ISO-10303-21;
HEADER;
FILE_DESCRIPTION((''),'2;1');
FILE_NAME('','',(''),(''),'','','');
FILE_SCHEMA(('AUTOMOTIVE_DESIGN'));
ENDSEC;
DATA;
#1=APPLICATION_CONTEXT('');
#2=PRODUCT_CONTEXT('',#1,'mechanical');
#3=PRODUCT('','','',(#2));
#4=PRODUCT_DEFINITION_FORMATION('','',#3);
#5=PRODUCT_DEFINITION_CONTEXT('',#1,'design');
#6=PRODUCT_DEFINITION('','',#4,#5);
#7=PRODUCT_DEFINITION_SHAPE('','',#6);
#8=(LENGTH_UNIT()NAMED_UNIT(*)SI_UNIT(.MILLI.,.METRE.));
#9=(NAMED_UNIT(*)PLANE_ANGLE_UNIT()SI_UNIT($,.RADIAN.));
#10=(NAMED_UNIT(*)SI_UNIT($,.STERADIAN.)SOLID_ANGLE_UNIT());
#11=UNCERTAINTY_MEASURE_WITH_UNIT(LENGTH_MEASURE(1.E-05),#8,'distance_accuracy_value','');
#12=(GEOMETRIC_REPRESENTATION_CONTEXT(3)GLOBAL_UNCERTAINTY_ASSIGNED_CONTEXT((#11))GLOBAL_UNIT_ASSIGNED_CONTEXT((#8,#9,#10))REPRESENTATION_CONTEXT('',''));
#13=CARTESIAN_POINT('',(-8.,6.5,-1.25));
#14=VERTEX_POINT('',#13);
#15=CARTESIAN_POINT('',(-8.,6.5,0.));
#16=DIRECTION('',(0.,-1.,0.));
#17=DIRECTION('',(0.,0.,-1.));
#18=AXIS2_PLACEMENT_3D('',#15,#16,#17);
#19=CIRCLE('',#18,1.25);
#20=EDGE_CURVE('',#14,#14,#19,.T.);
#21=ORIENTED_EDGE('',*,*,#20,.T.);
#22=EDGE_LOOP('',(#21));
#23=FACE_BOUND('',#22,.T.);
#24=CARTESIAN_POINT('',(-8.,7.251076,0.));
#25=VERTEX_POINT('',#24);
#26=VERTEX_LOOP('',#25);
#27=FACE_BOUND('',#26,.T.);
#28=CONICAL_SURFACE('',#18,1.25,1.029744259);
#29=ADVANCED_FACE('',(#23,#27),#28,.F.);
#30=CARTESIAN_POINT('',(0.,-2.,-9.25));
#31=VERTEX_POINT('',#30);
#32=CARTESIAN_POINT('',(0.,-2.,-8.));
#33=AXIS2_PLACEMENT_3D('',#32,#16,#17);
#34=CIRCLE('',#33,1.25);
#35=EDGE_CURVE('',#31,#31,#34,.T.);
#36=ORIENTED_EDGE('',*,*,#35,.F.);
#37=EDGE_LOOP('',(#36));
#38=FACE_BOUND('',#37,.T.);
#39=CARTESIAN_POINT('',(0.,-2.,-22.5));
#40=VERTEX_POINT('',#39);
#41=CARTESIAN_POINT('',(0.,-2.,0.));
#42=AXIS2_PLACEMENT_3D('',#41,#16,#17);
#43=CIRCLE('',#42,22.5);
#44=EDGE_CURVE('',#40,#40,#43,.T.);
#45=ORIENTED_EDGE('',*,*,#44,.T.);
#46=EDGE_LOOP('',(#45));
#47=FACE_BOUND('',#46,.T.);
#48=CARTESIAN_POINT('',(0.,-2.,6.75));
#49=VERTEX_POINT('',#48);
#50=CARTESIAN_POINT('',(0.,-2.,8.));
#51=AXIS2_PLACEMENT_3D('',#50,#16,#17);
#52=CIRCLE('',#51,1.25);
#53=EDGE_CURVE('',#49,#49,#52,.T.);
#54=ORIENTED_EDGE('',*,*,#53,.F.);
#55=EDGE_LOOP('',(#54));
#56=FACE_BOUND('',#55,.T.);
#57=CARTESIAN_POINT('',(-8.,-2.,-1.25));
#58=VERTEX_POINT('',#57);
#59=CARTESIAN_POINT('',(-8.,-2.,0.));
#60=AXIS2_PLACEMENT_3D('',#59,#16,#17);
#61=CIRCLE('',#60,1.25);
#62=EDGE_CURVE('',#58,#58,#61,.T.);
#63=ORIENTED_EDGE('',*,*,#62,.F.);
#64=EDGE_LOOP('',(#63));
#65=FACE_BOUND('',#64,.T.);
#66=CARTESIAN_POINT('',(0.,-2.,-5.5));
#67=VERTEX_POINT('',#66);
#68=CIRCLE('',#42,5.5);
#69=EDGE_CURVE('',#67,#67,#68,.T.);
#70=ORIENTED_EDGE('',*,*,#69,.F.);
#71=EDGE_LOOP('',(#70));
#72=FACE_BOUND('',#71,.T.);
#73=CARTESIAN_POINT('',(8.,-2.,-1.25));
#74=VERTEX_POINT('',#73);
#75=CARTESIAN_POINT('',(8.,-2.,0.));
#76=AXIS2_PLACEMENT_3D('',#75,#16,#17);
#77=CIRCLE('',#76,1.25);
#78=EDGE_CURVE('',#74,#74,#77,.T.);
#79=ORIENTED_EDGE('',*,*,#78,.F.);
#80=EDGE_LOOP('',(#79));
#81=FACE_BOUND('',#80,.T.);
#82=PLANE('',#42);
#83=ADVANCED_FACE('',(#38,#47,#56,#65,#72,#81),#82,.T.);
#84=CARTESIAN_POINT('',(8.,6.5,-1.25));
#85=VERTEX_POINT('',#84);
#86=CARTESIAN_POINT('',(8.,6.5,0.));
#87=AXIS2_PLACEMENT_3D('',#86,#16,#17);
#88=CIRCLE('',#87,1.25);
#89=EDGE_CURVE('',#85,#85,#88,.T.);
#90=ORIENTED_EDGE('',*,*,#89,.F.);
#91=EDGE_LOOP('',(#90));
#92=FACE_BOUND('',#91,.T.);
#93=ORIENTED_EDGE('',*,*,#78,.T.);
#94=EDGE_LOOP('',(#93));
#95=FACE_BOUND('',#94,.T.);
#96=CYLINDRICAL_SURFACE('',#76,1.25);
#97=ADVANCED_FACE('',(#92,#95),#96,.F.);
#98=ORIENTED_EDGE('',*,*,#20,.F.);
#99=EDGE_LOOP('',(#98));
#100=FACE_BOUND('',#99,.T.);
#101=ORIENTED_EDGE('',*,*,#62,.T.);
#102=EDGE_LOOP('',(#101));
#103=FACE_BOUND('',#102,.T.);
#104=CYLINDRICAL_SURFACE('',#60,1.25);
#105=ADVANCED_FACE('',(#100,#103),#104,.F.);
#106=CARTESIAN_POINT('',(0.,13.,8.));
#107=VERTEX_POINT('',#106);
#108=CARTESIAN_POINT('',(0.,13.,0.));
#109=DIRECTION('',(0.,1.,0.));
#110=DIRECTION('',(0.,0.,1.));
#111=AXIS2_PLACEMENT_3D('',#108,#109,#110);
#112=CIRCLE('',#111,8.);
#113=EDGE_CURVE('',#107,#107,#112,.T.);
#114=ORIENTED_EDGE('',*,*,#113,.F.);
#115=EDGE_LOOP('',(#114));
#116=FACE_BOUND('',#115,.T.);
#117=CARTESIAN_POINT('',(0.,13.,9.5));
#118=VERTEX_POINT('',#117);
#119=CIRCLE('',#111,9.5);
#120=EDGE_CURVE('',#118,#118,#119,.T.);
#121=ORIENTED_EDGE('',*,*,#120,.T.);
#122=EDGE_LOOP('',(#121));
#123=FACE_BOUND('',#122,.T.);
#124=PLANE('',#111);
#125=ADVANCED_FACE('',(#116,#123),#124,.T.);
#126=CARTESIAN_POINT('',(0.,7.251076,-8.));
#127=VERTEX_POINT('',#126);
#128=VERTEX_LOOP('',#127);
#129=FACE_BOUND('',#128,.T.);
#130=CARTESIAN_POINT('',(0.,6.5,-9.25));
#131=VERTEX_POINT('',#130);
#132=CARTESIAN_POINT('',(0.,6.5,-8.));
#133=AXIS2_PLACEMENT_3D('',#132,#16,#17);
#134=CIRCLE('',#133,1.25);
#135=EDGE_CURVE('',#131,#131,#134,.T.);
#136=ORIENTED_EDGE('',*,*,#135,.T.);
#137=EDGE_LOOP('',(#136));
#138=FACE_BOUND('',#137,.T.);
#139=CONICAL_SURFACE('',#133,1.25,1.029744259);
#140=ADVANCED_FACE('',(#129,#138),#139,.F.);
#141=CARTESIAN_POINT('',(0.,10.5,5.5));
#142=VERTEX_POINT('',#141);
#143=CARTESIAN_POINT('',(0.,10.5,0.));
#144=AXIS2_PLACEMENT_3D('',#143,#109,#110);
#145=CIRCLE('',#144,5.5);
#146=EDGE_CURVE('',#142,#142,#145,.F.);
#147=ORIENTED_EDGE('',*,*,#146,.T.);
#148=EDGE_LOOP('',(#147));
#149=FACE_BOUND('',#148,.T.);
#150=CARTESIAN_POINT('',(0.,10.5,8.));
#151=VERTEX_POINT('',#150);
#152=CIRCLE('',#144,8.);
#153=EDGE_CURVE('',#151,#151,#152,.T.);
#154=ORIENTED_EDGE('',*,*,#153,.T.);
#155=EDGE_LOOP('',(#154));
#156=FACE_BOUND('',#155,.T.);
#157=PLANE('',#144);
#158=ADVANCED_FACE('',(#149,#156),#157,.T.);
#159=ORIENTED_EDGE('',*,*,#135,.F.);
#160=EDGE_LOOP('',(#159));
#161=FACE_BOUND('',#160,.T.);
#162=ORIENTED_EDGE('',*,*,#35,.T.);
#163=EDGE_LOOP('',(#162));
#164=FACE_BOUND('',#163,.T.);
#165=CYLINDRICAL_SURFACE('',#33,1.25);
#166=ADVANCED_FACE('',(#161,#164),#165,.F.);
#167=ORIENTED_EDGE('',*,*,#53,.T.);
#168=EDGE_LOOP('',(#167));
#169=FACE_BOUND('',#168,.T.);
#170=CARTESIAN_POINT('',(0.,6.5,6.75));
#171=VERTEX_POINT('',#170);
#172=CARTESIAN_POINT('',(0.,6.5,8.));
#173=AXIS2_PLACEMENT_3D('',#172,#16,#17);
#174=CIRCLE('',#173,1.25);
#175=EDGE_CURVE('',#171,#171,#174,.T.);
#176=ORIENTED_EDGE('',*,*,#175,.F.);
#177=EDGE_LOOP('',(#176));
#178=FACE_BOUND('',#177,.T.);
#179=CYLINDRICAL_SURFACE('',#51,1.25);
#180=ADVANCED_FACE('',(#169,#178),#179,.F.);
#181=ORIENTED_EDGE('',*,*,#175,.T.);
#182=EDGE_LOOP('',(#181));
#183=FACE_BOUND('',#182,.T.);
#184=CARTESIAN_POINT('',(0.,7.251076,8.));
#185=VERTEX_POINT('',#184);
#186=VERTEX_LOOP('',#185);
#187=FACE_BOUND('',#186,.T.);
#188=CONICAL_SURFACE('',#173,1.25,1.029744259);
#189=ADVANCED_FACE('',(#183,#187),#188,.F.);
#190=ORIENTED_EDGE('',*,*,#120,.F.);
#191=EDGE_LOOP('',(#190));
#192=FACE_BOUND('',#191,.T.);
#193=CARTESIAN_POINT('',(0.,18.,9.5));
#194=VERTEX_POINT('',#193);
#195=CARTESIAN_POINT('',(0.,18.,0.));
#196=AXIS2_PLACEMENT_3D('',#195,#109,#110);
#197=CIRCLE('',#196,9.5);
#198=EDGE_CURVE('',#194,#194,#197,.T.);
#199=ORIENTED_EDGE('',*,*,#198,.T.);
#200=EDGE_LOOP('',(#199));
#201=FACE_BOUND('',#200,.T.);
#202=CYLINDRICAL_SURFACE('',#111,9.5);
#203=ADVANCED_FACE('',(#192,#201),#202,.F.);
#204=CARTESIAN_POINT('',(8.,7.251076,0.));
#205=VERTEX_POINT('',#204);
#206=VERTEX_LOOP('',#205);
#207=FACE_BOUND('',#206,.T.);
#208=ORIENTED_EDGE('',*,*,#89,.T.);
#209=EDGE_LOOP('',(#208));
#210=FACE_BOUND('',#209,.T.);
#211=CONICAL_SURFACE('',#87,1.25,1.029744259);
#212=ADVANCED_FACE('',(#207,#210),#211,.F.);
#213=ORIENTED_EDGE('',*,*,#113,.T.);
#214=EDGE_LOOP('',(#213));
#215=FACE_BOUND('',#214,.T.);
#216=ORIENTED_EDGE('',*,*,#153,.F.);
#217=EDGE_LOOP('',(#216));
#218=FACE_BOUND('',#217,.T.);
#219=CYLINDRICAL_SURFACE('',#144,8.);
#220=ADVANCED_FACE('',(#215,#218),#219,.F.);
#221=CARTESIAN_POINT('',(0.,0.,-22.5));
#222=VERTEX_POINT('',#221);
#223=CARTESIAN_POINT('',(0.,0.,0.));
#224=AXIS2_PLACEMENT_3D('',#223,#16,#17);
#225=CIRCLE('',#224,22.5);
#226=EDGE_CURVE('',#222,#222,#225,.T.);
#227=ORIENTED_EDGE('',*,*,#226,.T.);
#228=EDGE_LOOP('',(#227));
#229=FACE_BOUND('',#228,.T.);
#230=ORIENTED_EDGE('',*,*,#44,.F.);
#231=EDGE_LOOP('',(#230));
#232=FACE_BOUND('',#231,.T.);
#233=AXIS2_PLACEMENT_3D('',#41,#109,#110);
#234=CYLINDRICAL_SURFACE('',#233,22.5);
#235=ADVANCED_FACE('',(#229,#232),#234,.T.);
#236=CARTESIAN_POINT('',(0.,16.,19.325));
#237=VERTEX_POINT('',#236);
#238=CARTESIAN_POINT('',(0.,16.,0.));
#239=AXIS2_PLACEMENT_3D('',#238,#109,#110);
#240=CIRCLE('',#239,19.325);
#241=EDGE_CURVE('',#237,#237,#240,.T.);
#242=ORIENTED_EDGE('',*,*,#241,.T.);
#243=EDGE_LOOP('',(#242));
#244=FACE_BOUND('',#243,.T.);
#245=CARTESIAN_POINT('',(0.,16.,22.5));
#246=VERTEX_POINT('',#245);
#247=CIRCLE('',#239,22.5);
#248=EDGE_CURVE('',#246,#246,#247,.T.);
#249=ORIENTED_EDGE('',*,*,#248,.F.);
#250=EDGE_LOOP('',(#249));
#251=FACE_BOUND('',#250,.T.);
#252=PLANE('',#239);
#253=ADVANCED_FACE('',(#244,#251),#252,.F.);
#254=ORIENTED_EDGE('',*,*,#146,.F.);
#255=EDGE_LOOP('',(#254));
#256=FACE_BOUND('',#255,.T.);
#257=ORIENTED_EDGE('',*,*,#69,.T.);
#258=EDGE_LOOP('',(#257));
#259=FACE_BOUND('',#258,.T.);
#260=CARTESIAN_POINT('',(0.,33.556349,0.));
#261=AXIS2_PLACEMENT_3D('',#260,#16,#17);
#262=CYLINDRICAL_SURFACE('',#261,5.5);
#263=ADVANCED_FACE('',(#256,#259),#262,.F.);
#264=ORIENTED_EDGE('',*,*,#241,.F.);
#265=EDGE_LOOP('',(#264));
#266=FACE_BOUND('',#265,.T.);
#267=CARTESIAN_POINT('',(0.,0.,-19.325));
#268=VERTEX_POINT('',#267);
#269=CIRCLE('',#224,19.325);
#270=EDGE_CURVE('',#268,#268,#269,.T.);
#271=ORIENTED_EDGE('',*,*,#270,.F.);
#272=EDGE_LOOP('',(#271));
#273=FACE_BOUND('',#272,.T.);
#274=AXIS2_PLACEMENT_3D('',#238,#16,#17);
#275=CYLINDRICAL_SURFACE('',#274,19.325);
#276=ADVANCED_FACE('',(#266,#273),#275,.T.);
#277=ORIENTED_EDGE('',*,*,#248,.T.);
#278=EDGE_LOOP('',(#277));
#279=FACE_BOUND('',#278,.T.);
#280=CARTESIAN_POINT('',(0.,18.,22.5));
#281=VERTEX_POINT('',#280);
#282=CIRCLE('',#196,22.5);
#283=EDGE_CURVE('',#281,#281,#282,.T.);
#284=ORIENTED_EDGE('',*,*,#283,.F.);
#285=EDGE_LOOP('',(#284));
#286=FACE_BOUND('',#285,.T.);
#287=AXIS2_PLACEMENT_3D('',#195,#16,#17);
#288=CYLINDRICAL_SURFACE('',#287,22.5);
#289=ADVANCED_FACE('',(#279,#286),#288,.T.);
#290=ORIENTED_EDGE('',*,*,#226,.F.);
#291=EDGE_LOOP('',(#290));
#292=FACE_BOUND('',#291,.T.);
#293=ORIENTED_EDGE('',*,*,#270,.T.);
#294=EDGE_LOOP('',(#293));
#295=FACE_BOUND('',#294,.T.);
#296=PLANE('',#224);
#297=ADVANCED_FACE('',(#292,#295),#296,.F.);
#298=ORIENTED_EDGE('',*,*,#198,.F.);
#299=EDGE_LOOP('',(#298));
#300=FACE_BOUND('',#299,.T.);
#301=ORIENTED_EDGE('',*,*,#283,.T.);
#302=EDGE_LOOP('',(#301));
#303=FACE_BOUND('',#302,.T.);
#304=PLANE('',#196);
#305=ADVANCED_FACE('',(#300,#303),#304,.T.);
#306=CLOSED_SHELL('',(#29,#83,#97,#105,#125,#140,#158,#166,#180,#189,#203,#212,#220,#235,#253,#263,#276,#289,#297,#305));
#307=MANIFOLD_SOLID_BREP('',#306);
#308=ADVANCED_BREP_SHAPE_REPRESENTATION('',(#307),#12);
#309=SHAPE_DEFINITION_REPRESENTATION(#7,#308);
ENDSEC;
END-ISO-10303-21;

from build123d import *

# Parameters (mm, degrees)
SKETCH_1_R             = 19.325
SKETCH_1_R_2           = 2.5
EXTRUDE_1_DEPTH        = 16
SKETCH_2_R             = 22.5
SKETCH_2_R_2           = 2.5
EXTRUDE_2_DEPTH        = 2
SKETCH_3_R             = 22.5
SKETCH_3_R_2           = 2.5
EXTRUDE_3_DEPTH        = 2
SKETCH_4_R             = 5.5
CUT_EXTRUDE_1_DEPTH    = 20
HOLE_WIZARD_M3_1_D     = 2.5
HOLE_WIZARD_M3_1_DEPTH = 8.5
HOLE_WIZARD_M3_1_TIP   = 0.751075774
SKETCH_7_R             = 9.5
CUT_EXTRUDE_3_DEPTH    = 5
SKETCH_8_R             = 8
CUT_EXTRUDE_4_DEPTH    = 2.5


with BuildPart() as part:
    # 草图1 → 凸台-拉伸1 (new body)
    with BuildSketch(Plane(origin=(0, 0, 0), x_dir=(1, 0, 0), z_dir=(0, 1, 0))):
        Circle(SKETCH_1_R)
        Circle(SKETCH_1_R_2, mode=Mode.SUBTRACT)
    extrude(amount=EXTRUDE_1_DEPTH)

    # 草图2 → 凸台-拉伸2 (add)
    with BuildSketch(Plane(origin=(0, 16, 0), x_dir=(1, 0, 0), z_dir=(0, 1, 0))):
        Circle(SKETCH_2_R)
        Circle(SKETCH_2_R_2, mode=Mode.SUBTRACT)
    extrude(amount=EXTRUDE_2_DEPTH)

    # 草图3 → 凸台-拉伸3 (add)
    with BuildSketch(Plane.XZ):
        Circle(SKETCH_3_R)
        Circle(SKETCH_3_R_2, mode=Mode.SUBTRACT)
    extrude(amount=EXTRUDE_3_DEPTH)

    # 草图4 → 切除-拉伸1 (cut)
    with BuildSketch(Plane.XZ.offset(2)):
        Circle(SKETCH_4_R)
    extrude(amount=-CUT_EXTRUDE_1_DEPTH, mode=Mode.SUBTRACT)

    # M3 螺纹孔1
    with Locations(Plane(origin=(0, -2, 8), x_dir=(0, 0, -1), z_dir=(0, -1, 0))):
        with Locations((0, 0), (8, 8), (16, 0), (8, -8)):
            Hole(HOLE_WIZARD_M3_1_D / 2, depth=HOLE_WIZARD_M3_1_DEPTH)
            with Locations((0, 0, -(HOLE_WIZARD_M3_1_DEPTH + HOLE_WIZARD_M3_1_TIP / 2))):  # 118° drill point
                Cone(0, HOLE_WIZARD_M3_1_D / 2, HOLE_WIZARD_M3_1_TIP, mode=Mode.SUBTRACT)

    # 草图7 → 切除-拉伸3 (cut)
    with BuildSketch(Plane(origin=(0, 18, 0), x_dir=(1, 0, 0), z_dir=(0, 1, 0))):
        Circle(SKETCH_7_R)
    extrude(amount=-CUT_EXTRUDE_3_DEPTH, mode=Mode.SUBTRACT)

    # 草图8 → 切除-拉伸4 (cut)
    with BuildSketch(Plane(origin=(0, 13, 0), x_dir=(1, 0, 0), z_dir=(0, 1, 0))):
        Circle(SKETCH_8_R)
    extrude(amount=-CUT_EXTRUDE_4_DEPTH, mode=Mode.SUBTRACT)


solid = part.part
